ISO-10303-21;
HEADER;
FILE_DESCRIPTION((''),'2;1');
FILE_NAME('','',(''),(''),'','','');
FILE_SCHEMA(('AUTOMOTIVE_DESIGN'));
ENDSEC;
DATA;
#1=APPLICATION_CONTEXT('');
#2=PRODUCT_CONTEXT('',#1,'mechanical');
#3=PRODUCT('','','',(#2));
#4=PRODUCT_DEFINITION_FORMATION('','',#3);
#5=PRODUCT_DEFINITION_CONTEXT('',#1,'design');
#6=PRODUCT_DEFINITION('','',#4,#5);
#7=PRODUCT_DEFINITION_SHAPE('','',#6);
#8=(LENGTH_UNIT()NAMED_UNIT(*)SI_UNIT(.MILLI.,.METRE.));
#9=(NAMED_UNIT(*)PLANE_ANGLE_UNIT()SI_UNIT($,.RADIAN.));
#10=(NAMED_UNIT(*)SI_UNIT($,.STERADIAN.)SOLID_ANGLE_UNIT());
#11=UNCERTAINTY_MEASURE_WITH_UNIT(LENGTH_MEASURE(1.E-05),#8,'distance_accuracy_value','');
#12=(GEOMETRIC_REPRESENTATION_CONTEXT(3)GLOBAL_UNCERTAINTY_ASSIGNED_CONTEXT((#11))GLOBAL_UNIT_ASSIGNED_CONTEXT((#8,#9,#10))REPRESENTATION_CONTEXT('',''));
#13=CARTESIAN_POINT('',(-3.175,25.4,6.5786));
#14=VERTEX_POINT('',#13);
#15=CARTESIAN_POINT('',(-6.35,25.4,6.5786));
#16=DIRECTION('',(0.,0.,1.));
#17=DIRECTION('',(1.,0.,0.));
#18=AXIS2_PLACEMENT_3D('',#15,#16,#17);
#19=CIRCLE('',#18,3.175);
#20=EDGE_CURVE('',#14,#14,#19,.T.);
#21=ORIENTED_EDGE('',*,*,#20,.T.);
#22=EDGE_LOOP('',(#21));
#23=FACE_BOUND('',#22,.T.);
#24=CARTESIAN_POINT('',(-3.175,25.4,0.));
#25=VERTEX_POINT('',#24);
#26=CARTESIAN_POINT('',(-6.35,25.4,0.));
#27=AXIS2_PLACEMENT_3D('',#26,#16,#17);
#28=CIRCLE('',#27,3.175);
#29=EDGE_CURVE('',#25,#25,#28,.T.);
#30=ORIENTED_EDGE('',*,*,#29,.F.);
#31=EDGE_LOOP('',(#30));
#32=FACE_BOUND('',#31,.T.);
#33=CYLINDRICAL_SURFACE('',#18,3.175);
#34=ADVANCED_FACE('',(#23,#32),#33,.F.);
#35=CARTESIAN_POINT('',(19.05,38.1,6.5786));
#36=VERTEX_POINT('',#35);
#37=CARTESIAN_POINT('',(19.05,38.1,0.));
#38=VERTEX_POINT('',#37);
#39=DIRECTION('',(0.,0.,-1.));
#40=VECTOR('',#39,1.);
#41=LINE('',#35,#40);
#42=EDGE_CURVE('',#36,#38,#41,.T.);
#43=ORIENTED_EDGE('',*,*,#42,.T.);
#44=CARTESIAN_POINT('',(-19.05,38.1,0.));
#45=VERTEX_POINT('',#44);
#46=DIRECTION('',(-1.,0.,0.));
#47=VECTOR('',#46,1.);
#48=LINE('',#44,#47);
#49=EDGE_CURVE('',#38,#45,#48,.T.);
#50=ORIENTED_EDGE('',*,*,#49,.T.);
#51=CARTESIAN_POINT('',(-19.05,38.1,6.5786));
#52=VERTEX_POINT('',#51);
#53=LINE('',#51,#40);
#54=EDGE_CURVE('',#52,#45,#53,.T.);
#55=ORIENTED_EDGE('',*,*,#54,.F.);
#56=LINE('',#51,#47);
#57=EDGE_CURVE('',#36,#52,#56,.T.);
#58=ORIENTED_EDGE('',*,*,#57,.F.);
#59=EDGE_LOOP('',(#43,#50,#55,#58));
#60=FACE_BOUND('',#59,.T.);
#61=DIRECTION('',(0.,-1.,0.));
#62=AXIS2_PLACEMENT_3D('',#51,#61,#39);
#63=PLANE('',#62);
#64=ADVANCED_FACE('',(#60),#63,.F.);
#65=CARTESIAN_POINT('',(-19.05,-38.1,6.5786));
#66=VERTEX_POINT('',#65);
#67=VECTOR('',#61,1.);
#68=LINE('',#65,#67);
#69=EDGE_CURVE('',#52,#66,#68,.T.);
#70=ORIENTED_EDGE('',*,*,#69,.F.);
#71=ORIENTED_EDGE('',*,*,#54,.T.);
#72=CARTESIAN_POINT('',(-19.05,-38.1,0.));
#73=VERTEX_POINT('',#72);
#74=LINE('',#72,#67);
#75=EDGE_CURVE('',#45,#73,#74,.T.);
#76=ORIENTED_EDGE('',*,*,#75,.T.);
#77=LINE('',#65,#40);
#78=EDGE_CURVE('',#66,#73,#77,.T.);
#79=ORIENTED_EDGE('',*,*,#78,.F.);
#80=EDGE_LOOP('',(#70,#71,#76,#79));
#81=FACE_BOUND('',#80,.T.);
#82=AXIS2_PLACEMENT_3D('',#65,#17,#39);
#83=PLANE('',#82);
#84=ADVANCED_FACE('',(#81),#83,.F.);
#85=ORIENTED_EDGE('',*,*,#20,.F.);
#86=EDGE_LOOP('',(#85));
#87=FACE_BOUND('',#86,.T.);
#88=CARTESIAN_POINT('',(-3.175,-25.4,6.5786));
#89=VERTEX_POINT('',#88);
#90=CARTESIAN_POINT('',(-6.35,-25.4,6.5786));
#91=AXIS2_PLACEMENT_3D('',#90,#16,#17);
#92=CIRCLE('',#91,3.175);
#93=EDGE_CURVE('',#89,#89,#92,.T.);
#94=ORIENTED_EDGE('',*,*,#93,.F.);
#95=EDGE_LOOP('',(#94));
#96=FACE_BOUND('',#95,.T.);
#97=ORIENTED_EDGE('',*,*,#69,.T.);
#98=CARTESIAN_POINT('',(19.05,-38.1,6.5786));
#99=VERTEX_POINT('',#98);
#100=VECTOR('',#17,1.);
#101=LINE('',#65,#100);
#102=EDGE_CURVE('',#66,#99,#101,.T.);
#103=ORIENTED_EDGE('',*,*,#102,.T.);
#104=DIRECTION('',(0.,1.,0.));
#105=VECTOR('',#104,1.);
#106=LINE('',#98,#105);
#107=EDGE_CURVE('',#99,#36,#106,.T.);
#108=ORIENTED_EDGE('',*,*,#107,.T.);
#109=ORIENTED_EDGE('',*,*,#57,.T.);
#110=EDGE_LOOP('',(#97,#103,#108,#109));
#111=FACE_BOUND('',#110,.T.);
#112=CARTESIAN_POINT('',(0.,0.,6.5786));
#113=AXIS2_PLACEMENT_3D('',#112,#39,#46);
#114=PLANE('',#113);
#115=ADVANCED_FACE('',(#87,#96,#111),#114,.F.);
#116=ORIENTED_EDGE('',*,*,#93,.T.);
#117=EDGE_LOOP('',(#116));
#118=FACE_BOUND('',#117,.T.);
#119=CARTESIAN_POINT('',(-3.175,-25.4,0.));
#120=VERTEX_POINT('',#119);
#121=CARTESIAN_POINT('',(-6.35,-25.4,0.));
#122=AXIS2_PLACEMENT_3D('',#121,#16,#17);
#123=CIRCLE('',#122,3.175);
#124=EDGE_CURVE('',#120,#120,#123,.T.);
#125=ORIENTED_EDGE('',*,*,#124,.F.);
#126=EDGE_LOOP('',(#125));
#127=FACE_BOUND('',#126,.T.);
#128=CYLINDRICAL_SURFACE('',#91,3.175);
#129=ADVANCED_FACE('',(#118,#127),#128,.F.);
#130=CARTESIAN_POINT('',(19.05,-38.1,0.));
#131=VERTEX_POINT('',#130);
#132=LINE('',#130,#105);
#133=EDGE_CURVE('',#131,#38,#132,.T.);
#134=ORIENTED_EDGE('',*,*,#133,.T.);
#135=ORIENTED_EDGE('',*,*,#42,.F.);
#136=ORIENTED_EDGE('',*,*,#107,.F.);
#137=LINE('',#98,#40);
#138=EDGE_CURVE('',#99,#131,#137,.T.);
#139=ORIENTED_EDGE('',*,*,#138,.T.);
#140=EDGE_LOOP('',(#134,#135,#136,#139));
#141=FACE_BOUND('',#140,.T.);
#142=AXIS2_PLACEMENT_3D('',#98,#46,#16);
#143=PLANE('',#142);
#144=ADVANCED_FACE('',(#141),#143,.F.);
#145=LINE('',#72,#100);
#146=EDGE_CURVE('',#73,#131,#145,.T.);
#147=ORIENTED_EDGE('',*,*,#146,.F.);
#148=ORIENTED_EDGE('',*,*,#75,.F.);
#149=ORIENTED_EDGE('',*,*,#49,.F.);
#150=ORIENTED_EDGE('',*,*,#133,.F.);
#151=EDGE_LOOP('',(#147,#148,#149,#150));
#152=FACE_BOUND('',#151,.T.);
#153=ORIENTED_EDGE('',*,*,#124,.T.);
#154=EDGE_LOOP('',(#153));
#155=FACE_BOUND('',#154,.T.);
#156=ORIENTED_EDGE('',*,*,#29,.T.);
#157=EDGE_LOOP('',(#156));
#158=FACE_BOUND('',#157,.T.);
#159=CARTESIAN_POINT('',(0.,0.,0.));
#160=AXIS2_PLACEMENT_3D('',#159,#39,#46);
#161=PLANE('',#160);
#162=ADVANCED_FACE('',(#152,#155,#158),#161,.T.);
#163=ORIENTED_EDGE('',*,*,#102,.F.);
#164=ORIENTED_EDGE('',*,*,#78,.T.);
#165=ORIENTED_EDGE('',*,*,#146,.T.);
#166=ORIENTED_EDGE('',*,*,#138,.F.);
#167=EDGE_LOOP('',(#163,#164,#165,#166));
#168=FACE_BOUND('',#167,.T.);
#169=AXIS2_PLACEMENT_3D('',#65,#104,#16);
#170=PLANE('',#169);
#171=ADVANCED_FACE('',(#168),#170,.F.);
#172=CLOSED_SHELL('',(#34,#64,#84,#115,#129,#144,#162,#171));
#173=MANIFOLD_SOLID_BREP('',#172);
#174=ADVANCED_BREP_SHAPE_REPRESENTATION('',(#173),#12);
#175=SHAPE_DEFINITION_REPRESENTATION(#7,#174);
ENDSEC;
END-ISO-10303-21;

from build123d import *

# Parameters (mm, degrees)
SKETCH1_W                  = 38.1
SKETCH1_H                  = 76.2
BOSS_EXTRUDE1_DEPTH        = 6.5786
F_97_0_25_DIAMETER_HOLE1_D = 6.35


with BuildPart() as part:
    # Sketch1 → Boss-Extrude1 (new body)
    with BuildSketch(Plane.XY):
        Rectangle(SKETCH1_W, SKETCH1_H)
    extrude(amount=BOSS_EXTRUDE1_DEPTH)

    # #97 (0.25) Diameter Hole1 (through all)
    with Locations(Plane(origin=(-6.35, 25.4, 6.5786), x_dir=(1, 0, 0), z_dir=(0, 0, 1))):
        with Locations((0, 0), (0, -50.8)):
            Hole(F_97_0_25_DIAMETER_HOLE1_D / 2)


solid = part.part
